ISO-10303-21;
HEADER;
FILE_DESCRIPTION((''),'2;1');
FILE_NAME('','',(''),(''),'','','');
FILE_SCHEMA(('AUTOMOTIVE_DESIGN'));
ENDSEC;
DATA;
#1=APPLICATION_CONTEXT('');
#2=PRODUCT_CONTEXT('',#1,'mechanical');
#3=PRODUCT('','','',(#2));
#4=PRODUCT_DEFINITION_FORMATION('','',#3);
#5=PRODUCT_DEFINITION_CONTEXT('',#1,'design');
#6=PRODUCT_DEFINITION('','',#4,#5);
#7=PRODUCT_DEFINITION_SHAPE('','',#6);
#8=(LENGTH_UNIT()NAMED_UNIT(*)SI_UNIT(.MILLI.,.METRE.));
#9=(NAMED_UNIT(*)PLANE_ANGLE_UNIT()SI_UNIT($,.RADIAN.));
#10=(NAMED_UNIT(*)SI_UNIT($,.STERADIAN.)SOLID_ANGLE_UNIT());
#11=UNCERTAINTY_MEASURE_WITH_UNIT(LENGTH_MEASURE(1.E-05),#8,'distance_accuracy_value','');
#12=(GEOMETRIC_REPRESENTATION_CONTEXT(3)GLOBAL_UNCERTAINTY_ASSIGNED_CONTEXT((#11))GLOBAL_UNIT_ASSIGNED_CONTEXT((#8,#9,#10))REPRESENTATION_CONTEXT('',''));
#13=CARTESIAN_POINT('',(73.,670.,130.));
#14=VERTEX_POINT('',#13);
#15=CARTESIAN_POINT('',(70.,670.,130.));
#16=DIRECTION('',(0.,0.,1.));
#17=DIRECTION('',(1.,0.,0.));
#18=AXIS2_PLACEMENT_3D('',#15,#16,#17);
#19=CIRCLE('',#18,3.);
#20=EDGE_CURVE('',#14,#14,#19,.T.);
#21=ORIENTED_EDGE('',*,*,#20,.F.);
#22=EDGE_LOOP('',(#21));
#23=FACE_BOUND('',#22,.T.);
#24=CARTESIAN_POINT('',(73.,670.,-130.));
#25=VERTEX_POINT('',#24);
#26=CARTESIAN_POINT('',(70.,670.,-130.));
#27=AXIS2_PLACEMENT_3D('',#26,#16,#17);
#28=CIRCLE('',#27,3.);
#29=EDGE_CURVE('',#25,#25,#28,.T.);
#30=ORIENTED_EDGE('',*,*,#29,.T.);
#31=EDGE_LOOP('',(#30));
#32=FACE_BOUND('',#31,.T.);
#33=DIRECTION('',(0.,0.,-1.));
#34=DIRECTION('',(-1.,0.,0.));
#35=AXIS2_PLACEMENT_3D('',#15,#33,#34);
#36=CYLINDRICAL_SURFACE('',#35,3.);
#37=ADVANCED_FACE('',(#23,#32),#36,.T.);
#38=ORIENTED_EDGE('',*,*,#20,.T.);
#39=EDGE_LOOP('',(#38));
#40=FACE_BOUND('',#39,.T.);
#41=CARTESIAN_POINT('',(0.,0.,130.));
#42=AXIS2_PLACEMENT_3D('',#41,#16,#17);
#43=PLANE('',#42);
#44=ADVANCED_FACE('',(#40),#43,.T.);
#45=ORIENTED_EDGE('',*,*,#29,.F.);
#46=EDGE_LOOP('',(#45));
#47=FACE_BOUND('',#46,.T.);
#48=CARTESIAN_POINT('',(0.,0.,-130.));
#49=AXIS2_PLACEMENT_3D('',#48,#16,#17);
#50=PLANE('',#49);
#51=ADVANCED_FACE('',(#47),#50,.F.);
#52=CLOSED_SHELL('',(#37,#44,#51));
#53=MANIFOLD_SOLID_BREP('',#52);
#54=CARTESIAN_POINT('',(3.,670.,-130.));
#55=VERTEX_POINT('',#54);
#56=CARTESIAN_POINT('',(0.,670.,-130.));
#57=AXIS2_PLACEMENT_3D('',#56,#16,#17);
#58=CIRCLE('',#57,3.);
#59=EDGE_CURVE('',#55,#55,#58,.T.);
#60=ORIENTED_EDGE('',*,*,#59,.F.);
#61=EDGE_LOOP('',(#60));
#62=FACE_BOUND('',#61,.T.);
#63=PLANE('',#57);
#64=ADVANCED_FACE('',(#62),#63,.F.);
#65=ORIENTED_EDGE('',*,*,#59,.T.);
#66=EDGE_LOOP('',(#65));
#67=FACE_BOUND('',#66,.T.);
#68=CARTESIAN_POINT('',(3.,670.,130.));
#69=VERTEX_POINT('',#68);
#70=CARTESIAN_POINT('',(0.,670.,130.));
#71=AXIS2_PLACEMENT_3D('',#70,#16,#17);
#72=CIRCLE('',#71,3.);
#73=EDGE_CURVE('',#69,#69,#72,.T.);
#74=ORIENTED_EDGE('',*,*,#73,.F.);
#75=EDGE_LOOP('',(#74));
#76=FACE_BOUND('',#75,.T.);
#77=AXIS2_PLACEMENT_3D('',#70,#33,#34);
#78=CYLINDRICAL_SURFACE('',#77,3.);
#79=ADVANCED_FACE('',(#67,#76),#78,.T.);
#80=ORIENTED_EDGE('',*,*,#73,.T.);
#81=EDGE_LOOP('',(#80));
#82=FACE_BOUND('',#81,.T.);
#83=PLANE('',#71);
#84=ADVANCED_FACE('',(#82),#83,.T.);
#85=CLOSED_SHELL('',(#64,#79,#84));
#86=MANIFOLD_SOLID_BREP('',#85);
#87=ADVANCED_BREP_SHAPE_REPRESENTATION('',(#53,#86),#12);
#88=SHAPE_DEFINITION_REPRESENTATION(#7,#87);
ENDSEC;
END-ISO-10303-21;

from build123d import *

# Parameters (mm, degrees)
SKIZZE2_R                              = 3
AUFSATZ_LINEAR_AUSTRAGEN1_DEPTH        = 130
AUFSATZ_LINEAR_AUSTRAGEN1_DEPTH_BACK   = 130
AUFSATZ_LINEAR_AUSTRAGEN1_2_DEPTH      = 130
AUFSATZ_LINEAR_AUSTRAGEN1_2_DEPTH_BACK = 130


with BuildPart() as part:
    # Skizze2 → Aufsatz-Linear austragen1 (new body, two sides)
    with BuildSketch(Plane.XY) as aufsatz_linear_austragen1_sk:
        with Locations((70, 670)):
            Circle(SKIZZE2_R)
    extrude(amount=AUFSATZ_LINEAR_AUSTRAGEN1_DEPTH)
    extrude(aufsatz_linear_austragen1_sk.sketch, amount=-AUFSATZ_LINEAR_AUSTRAGEN1_DEPTH_BACK)


with BuildPart() as body_2:
    # Skizze2 → Aufsatz-Linear austragen1 2 (new body, two sides)
    with BuildSketch(Plane.XY) as aufsatz_linear_austragen1_2_sk:
        with Locations((0, 670)):
            Circle(SKIZZE2_R)
    extrude(amount=AUFSATZ_LINEAR_AUSTRAGEN1_2_DEPTH)
    extrude(aufsatz_linear_austragen1_2_sk.sketch, amount=-AUFSATZ_LINEAR_AUSTRAGEN1_2_DEPTH_BACK)


solid = Compound([part.part, body_2.part])
